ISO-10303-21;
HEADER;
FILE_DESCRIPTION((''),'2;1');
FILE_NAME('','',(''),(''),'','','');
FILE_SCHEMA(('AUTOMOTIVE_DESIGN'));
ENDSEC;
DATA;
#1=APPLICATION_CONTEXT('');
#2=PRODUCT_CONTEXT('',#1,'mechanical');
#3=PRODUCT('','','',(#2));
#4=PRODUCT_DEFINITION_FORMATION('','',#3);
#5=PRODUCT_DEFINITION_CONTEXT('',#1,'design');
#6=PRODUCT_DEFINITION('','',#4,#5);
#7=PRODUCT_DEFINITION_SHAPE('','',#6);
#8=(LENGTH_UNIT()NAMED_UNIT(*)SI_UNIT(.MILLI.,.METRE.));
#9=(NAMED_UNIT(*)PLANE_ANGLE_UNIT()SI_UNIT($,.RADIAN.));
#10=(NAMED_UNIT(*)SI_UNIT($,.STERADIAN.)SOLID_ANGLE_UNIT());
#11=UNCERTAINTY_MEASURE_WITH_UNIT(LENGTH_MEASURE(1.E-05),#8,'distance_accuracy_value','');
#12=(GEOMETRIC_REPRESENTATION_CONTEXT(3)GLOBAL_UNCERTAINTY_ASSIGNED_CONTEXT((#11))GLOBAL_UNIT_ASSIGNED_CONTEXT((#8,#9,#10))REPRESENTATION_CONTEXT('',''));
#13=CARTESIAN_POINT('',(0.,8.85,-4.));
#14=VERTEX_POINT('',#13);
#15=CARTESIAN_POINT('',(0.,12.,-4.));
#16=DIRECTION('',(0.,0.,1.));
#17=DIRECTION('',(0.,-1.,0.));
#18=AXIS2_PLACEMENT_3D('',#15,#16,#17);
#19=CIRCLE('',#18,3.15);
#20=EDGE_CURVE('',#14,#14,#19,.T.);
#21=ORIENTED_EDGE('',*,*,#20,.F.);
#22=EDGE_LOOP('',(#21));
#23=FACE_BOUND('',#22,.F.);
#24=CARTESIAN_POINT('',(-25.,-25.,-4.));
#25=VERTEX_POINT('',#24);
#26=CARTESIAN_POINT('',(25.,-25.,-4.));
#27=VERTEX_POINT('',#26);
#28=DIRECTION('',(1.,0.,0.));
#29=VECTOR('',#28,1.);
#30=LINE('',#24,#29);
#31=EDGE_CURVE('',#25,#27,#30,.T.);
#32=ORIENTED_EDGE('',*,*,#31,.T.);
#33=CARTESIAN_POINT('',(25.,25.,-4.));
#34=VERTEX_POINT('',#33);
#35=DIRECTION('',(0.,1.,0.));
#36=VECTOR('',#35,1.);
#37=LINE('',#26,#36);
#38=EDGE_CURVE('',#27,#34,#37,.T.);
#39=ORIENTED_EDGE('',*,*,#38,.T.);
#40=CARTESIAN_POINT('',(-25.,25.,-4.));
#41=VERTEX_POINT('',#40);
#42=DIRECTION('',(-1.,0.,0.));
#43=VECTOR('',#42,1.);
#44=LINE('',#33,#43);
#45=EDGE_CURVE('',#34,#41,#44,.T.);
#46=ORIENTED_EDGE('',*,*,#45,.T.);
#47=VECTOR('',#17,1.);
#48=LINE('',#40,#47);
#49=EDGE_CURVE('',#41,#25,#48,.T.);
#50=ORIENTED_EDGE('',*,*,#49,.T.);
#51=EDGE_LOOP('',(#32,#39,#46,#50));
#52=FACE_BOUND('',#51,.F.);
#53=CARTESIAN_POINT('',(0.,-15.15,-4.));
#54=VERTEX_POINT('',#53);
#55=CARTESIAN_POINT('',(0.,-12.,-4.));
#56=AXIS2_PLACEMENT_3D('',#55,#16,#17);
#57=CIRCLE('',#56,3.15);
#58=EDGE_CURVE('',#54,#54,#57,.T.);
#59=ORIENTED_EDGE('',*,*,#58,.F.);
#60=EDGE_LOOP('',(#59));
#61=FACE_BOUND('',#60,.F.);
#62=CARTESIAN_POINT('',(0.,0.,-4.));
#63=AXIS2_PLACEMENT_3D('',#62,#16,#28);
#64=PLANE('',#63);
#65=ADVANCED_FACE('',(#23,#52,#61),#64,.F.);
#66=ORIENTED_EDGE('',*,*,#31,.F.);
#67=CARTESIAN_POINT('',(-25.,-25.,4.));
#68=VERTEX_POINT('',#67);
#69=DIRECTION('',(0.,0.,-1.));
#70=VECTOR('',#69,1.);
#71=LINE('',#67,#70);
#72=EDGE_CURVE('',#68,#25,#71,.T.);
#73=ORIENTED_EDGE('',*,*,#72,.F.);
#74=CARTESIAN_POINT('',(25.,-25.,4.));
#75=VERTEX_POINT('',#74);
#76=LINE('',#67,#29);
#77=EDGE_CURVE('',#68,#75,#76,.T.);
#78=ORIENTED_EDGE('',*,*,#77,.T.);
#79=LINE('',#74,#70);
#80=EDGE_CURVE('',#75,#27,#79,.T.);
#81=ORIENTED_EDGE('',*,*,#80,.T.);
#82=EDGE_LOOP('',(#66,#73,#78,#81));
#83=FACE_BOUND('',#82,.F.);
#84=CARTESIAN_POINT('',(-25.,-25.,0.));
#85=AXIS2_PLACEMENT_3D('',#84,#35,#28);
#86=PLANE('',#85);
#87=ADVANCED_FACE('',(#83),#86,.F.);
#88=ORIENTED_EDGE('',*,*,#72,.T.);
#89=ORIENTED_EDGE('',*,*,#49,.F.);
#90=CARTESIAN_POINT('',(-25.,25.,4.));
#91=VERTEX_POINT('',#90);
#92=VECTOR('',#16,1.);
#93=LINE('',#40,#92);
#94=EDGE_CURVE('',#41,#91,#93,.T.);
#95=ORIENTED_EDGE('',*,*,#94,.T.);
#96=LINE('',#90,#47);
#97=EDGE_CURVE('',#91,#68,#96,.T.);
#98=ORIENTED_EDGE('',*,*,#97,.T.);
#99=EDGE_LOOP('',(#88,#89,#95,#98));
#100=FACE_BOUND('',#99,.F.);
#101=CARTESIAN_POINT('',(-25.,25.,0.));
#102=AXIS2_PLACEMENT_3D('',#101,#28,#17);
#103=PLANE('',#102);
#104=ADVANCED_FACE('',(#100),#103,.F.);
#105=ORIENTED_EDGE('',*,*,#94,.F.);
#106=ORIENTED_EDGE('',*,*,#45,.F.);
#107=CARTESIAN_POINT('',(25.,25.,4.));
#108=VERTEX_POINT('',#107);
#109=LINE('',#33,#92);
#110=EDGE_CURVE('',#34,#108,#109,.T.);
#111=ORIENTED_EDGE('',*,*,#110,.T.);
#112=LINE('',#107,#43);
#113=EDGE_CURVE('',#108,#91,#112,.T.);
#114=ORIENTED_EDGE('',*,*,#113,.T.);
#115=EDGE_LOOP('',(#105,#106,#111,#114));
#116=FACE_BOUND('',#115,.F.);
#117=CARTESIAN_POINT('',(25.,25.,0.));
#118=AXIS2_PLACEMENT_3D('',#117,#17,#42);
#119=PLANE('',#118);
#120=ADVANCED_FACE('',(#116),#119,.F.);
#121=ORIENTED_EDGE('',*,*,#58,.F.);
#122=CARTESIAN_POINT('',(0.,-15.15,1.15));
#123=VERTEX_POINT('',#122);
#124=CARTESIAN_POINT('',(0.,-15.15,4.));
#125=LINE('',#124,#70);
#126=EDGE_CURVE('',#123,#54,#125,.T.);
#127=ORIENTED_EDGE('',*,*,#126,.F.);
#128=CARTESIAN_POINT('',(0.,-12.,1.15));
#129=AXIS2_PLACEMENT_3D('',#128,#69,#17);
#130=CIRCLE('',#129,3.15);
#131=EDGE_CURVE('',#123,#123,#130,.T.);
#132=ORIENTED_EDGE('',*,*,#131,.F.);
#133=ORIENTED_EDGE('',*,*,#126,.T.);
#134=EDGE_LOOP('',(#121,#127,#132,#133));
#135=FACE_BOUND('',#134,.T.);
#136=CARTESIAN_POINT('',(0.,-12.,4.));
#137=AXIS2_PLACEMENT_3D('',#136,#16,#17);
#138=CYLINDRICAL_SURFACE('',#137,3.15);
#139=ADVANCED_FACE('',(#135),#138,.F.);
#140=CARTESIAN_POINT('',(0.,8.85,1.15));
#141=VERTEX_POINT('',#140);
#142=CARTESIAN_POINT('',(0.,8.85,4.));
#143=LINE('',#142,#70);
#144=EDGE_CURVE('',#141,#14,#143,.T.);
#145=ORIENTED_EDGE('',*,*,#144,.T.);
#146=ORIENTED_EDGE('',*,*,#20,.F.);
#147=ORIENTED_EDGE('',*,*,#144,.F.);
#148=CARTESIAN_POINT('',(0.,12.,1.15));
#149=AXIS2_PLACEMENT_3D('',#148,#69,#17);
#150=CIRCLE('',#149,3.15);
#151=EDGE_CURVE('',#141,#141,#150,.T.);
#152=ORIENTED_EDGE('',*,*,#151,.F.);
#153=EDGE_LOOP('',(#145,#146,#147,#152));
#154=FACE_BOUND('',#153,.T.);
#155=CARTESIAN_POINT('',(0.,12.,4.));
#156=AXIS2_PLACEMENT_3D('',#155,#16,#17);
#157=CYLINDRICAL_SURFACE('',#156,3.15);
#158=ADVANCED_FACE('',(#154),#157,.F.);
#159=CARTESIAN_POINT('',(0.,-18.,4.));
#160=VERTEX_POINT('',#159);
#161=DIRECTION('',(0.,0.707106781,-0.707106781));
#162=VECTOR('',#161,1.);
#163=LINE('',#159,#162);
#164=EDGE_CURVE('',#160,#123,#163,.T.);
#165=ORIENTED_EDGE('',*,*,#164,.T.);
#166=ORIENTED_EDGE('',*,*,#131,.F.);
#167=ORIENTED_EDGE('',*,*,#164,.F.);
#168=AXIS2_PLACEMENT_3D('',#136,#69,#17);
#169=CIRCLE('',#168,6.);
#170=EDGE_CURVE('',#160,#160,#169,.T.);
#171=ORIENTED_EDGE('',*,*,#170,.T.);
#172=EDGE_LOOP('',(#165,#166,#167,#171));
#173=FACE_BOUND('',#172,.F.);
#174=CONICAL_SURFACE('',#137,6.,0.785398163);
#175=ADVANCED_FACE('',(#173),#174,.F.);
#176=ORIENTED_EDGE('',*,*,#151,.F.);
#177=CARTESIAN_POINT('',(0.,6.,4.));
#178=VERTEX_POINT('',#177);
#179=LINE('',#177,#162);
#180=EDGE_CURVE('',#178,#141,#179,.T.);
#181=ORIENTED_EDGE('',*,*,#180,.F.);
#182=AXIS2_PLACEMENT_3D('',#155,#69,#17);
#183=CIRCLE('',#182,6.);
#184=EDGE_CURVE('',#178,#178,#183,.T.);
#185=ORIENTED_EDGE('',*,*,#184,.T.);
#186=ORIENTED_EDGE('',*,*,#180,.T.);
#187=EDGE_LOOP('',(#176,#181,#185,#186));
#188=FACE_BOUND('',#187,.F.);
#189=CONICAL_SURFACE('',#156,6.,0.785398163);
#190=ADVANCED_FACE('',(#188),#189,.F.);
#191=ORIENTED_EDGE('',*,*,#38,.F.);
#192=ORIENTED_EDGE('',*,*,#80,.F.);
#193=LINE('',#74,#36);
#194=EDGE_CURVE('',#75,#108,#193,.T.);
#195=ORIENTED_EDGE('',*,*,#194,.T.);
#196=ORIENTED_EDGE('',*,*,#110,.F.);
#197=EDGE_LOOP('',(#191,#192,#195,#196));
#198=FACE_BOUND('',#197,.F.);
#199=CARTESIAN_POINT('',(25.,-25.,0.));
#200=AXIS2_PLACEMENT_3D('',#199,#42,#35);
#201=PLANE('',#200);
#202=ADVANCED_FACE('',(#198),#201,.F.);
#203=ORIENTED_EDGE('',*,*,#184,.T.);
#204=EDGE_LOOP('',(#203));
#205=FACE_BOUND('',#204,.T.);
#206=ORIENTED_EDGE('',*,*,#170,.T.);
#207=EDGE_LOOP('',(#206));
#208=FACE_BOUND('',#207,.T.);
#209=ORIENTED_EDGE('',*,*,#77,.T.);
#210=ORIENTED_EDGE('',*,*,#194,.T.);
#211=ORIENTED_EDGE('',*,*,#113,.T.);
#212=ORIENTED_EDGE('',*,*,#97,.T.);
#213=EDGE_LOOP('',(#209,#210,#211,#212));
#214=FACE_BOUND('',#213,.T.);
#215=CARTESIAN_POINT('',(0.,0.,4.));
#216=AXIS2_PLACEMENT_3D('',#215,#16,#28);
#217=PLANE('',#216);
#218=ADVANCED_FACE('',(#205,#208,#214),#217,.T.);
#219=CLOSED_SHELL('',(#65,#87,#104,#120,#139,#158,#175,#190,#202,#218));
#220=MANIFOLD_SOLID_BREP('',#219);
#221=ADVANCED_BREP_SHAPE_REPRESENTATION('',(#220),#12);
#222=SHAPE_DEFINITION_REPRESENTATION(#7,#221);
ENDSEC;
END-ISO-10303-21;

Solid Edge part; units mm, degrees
sketch "Sketch1" plane through (0, 0, 0) normal (0, 0, 1) x (1, 0, 0)
  line L0 (25, -25) -> (25, 25)
  line L1 (25, 25) -> (-25, 25)
  line L2 (-25, 25) -> (-25, -25)
  line L3 (-25, -25) -> (25, -25)
extrude "Protrusion1" add sketch "Sketch1" along normal mid plane 8
hole "Hole_3" at (0, 12, 4) direction (0, 0, -1) diameter 6.3 end through all countersink diameter 12 countersink angle 90
hole "Hole1" at (0, -12, 4) direction (0, 0, -1) diameter 6.3 end through all countersink diameter 12 countersink angle 90
